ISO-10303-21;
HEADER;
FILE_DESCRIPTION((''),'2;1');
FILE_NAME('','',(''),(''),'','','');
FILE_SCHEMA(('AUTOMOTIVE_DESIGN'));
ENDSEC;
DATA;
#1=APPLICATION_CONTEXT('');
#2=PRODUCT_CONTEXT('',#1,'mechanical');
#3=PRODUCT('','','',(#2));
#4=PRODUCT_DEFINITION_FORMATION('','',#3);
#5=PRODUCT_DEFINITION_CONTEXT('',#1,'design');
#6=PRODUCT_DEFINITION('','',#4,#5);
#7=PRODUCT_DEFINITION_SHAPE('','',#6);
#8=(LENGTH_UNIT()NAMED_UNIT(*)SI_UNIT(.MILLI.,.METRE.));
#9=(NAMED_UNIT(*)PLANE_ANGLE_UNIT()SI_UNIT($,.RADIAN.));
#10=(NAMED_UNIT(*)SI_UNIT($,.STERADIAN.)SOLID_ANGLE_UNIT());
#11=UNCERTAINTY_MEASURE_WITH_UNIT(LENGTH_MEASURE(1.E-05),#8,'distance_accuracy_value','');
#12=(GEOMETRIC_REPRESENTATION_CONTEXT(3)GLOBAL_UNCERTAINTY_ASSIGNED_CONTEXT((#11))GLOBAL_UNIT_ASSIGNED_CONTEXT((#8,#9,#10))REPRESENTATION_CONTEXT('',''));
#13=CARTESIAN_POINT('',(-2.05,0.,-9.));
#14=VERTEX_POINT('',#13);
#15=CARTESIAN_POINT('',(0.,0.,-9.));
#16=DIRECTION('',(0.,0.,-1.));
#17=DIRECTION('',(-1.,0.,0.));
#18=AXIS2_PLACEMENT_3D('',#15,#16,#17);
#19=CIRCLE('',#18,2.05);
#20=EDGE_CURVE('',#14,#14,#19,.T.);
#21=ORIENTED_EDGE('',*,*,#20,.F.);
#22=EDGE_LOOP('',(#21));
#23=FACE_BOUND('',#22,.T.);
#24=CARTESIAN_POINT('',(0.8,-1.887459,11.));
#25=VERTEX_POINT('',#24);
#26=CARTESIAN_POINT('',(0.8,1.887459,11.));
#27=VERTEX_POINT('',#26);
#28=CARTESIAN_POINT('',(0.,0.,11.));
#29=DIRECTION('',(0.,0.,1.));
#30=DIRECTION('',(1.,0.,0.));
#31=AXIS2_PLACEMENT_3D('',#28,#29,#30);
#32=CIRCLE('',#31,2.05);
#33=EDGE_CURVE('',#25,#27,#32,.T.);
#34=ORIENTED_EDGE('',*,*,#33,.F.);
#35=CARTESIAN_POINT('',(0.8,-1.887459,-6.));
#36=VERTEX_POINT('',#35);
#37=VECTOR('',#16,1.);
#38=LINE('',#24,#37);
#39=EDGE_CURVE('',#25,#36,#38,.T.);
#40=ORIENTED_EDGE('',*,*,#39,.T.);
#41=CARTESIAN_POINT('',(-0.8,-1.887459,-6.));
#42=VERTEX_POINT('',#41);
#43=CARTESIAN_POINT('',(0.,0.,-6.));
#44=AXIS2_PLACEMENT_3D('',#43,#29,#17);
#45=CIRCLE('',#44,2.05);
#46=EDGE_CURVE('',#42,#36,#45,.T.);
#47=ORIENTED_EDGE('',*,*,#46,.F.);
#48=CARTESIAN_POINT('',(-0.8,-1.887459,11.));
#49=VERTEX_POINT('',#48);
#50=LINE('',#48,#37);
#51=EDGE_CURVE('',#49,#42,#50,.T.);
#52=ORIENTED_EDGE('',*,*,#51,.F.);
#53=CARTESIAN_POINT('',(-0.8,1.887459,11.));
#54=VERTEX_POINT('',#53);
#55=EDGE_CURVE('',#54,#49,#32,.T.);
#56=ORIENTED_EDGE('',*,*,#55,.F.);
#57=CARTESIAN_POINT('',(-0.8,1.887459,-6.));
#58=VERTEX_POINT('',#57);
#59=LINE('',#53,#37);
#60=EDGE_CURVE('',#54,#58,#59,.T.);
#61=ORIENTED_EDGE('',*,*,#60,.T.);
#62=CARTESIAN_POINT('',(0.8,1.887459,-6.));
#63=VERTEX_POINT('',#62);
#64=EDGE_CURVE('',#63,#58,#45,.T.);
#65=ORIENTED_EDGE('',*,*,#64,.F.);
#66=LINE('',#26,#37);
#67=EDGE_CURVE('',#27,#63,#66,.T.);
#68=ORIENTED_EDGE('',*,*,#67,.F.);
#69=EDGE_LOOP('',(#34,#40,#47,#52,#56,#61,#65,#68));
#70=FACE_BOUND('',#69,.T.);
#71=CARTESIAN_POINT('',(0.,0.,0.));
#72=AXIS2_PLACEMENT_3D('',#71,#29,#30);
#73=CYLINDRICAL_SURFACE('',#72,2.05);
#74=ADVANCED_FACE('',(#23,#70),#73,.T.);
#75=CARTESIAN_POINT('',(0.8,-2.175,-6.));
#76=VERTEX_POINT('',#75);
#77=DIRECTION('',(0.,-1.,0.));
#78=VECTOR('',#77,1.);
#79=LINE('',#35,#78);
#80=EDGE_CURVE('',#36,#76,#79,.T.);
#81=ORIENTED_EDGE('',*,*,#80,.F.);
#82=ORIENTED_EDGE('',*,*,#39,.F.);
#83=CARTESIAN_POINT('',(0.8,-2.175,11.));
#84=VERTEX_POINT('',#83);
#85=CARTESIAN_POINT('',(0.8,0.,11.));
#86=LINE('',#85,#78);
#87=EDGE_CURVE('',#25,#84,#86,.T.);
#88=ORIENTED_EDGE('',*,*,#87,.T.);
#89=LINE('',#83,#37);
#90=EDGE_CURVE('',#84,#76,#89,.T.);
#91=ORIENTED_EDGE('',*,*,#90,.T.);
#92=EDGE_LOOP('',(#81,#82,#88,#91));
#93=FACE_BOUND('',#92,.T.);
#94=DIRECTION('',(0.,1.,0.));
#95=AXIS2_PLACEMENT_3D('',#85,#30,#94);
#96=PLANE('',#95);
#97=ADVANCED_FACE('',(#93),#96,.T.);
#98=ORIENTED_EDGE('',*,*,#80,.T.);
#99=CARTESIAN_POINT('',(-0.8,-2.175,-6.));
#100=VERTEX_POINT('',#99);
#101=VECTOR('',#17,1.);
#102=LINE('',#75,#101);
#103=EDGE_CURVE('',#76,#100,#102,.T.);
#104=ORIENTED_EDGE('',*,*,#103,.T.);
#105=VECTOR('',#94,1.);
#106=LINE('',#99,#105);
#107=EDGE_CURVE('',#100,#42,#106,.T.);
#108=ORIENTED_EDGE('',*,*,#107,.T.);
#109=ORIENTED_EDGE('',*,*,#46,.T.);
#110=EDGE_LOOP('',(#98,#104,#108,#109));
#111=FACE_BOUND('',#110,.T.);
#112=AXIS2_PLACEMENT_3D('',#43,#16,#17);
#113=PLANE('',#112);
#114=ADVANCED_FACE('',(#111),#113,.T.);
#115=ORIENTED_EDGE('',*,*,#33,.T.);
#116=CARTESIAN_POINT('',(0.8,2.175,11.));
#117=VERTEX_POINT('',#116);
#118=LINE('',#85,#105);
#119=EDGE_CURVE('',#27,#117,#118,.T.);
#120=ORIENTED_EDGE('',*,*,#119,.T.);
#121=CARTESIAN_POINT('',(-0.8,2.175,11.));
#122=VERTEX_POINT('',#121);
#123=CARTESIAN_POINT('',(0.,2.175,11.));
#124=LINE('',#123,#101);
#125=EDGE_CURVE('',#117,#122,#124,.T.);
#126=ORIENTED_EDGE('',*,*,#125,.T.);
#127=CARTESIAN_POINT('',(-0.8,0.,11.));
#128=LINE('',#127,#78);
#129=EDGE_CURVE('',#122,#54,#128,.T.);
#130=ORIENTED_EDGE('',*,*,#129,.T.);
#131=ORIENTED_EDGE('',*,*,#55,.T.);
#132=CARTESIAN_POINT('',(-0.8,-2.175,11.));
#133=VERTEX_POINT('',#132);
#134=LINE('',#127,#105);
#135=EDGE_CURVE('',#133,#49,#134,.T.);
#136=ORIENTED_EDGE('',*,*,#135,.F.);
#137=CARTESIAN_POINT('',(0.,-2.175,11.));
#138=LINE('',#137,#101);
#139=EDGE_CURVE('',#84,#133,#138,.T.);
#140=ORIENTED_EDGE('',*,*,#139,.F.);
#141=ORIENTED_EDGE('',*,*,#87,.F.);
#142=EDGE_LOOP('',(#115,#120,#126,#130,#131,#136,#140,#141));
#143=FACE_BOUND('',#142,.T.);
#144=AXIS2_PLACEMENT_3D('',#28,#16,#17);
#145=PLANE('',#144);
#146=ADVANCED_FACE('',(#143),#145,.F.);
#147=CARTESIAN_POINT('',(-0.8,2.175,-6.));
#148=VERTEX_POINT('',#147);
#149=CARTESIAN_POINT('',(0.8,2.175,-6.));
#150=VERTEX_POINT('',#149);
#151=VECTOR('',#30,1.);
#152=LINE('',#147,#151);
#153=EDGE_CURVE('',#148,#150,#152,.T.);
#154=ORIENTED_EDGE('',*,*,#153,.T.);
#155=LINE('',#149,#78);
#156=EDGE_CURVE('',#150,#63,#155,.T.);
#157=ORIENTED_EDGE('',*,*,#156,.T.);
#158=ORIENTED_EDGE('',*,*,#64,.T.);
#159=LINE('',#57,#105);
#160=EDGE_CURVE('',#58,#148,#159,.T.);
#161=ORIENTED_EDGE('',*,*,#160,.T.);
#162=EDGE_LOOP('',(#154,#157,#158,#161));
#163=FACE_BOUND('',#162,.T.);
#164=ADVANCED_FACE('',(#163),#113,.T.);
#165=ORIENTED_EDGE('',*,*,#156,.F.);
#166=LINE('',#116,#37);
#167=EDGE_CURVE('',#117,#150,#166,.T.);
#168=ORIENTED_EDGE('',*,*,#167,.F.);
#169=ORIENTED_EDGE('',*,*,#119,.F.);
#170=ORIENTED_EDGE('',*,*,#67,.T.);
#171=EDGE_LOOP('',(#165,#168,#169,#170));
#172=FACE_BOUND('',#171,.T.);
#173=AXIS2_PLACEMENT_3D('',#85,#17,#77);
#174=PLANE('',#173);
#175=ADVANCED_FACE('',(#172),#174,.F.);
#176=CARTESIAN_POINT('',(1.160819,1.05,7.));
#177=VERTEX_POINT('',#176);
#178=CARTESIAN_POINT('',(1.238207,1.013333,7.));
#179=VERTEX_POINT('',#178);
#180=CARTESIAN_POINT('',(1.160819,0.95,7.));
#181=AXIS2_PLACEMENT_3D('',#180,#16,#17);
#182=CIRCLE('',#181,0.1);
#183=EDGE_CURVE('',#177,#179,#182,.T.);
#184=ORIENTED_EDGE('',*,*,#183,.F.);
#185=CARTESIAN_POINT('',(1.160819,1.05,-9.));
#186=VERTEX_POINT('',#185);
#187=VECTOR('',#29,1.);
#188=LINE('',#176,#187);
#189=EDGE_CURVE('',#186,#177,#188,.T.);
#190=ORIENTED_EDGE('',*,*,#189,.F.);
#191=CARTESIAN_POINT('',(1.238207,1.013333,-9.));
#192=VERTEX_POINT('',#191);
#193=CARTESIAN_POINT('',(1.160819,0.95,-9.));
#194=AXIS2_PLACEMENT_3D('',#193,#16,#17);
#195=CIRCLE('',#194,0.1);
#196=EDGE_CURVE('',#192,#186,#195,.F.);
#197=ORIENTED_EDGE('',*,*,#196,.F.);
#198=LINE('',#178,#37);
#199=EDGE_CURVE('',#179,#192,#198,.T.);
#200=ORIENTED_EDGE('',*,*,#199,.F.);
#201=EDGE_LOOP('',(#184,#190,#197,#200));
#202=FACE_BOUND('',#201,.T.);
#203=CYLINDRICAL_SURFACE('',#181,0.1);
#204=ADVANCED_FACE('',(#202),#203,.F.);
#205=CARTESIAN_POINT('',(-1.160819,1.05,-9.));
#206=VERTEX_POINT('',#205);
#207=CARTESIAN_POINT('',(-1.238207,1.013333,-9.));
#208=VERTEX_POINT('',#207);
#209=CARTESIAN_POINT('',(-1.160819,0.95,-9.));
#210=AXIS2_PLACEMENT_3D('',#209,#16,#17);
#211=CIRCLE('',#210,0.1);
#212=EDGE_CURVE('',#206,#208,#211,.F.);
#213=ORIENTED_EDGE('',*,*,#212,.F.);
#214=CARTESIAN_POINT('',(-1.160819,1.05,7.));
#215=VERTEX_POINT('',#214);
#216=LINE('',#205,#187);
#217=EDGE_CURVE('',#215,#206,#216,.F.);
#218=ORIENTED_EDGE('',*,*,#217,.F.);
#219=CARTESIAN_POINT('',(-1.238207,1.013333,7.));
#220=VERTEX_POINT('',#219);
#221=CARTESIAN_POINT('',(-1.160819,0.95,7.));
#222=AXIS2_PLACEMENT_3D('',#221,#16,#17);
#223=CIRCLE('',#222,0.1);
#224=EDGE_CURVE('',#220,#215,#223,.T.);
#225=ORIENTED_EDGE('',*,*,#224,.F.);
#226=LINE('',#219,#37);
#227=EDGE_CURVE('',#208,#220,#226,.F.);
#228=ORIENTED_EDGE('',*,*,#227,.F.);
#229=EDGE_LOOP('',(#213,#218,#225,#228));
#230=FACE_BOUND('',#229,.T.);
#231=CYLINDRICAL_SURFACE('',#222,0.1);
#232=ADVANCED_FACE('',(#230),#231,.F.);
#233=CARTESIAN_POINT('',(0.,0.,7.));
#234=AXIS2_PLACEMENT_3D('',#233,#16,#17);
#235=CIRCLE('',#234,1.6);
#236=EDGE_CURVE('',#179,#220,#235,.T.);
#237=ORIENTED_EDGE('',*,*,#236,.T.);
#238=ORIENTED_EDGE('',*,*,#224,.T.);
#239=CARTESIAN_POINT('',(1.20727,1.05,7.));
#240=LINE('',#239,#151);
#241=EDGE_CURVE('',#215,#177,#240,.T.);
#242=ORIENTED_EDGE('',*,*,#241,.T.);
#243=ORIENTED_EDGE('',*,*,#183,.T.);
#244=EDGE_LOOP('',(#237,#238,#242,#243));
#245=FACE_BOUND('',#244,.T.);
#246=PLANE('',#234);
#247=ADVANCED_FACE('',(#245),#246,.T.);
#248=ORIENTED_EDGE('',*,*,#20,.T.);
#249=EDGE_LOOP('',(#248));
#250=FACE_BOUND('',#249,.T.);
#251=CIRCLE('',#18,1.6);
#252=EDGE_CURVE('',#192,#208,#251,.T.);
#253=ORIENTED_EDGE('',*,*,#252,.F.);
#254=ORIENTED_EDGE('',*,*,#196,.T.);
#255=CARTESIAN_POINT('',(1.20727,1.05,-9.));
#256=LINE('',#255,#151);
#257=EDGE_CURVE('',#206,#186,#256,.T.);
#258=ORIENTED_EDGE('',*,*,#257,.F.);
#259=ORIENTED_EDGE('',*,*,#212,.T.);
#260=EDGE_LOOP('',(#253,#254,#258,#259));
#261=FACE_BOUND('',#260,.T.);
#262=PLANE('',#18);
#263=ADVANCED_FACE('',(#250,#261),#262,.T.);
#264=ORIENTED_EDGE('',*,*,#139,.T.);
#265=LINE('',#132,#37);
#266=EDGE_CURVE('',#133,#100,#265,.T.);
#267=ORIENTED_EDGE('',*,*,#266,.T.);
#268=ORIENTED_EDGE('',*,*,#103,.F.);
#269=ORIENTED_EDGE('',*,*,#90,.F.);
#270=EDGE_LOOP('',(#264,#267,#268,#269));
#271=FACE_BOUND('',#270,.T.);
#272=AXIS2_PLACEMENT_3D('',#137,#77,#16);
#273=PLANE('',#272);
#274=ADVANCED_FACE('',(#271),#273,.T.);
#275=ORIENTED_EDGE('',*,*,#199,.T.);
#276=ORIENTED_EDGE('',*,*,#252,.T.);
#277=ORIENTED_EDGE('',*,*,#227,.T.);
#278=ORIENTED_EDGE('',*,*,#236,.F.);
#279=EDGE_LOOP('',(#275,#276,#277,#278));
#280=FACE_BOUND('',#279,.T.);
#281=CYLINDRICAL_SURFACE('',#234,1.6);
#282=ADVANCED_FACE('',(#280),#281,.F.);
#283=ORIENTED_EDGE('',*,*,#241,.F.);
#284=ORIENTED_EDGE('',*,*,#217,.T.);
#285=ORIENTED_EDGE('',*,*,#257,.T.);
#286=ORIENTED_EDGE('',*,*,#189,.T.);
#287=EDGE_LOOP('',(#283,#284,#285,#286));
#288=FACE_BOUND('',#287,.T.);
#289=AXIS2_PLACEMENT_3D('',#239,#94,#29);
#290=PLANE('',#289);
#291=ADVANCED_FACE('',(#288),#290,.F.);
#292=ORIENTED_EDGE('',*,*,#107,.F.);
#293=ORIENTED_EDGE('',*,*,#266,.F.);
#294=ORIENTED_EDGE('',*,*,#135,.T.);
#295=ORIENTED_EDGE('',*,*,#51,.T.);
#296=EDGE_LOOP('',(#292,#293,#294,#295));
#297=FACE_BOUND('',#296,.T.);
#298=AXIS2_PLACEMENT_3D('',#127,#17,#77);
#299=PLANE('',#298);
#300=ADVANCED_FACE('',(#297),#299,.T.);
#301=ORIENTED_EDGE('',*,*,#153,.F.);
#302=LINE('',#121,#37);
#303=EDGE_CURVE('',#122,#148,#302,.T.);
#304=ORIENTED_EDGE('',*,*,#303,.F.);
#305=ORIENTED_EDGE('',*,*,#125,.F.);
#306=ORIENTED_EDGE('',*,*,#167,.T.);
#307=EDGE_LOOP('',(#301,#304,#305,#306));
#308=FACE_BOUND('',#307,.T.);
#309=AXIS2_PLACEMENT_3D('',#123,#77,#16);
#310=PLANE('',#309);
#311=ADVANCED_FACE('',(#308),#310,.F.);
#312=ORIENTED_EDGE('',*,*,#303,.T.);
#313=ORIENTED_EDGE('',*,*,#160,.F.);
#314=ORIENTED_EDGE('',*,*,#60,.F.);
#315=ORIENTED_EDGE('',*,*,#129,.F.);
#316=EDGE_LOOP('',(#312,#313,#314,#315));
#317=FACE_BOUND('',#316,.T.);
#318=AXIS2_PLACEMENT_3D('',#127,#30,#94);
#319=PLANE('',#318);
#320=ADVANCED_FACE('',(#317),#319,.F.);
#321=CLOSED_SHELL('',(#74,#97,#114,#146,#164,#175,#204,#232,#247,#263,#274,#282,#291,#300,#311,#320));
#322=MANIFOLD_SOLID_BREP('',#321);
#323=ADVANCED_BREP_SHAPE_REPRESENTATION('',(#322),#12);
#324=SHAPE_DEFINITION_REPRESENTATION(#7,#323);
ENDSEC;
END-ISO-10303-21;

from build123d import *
from build123d.topology import SkipClean

# Parameters (mm, degrees)
SKETCH1_R                = 2
BOSS_EXTRUDE1_DEPTH      = 7
SKETCH3_R                = 2
SKETCH3_W                = 4.25
SKETCH3_H                = 1.5
BOSS_EXTRUDE3_DEPTH      = 4
BOSS_EXTRUDE4_START      = 4
BOSS_EXTRUDE4_DEPTH      = 4
BOSS_EXTRUDE5_START      = -8
BOSS_EXTRUDE5_DEPTH      = 8
CUT_EXTRUDE1_START       = -8
CUT_EXTRUDE1_DEPTH       = 8
CUT_EXTRUDE2_DEPTH       = 7
BOSS_EXTRUDE6_DEPTH      = 8
BOSS_EXTRUDE6_DEPTH_BACK = 3
SKETCH2_R                = 2.05
SKETCH2_R_2              = 2
BOSS_EXTRUDE7_START      = -8
BOSS_EXTRUDE7_DEPTH      = 8
BOSS_EXTRUDE8_DEPTH      = 9
BOSS_EXTRUDE8_DEPTH_BACK = 7
SKETCH11_R               = 2.05
BOSS_EXTRUDE9_DEPTH      = 9
FILLET1_R                = 0.1


with BuildPart() as part:
    # Sketch1 → Boss-Extrude1 (new body)
    with BuildSketch(Plane.XY):
        Circle(SKETCH1_R)
        with BuildLine():
            ThreePointArc((-1.5, 0), (-1.401258538, 0.535233135), (-1.118033989, 1))
            Line((-1.118033989, 1), (1.118033989, 1))
            ThreePointArc((1.118033989, 1), (1.401258538, 0.535233135), (1.5, 0))
            ThreePointArc((1.5, 0), (0, -1.5), (-1.5, 0))
        make_face(mode=Mode.SUBTRACT)
    extrude(amount=BOSS_EXTRUDE1_DEPTH)

    # Sketch3 → Boss-Extrude3 (add)
    with BuildSketch(Plane.XY.offset(7)):
        with Locations(Location((0, 0, 0), (0, 0, 157.975687163))):
            Circle(SKETCH3_R)
        Rectangle(SKETCH3_W, SKETCH3_H)
    extrude(amount=BOSS_EXTRUDE3_DEPTH)

    # Sketch4 → Boss-Extrude4 (add)
    with BuildSketch(Plane(origin=(0, 0, 7), x_dir=(-1, 0, 0), z_dir=(0, 0, -1)).offset(BOSS_EXTRUDE4_START)):
        with BuildLine():
            Line((-2.125, -0.75), (-1.854049622, -0.75))
            ThreePointArc((-1.854049622, -0.75), (-2, 0), (-1.854049622, 0.75))
            Line((-1.854049622, 0.75), (-2.125, 0.75))
            Line((-2.125, 0.75), (-2.125, -0.75))
        make_face()
        with BuildLine():
            Line((2.125, 0.75), (1.854049622, 0.75))
            ThreePointArc((1.854049622, 0.75), (2, 0), (1.854049622, -0.75))
            Line((1.854049622, -0.75), (2.125, -0.75))
            Line((2.125, -0.75), (2.125, 0.75))
        make_face()
    extrude(amount=-BOSS_EXTRUDE4_DEPTH)

    # Sketch6 → Boss-Extrude5 (add)
    with BuildSketch(Plane.XY.offset(11).offset(BOSS_EXTRUDE5_START)):
        with BuildLine():
            Line((-0.75, -1.854049622), (-0.75, -2.125))
            Line((-0.75, -2.125), (0.75, -2.125))
            Line((0.75, -2.125), (0.75, -1.854049622))
            ThreePointArc((0.75, -1.854049622), (0, -2), (-0.75, -1.854049622))
        make_face()
        with BuildLine():
            Line((0.75, 1.854049622), (0.75, 2.125))
            Line((0.75, 2.125), (-0.75, 2.125))
            Line((-0.75, 2.125), (-0.75, 1.854049622))
            ThreePointArc((-0.75, 1.854049622), (0, 2), (0.75, 1.854049622))
        make_face()
    extrude(amount=BOSS_EXTRUDE5_DEPTH)

    # Sketch7 → Cut-Extrude1 (cut)
    with SkipClean():  # the faces are left unmerged after this step: merging them gives an invalid solid
        with BuildSketch(Plane.XY.offset(11).offset(CUT_EXTRUDE1_START)):
            with BuildLine():
                Line((-2.125, -0.75), (-1.854049622, -0.75))
                ThreePointArc((-1.854049622, -0.75), (-2, 0), (-1.854049622, 0.75))
                Line((-1.854049622, 0.75), (-2.125, 0.75))
                Line((-2.125, 0.75), (-2.125, -0.75))
            make_face()
            with BuildLine():
                Line((1.854049622, -0.75), (2.125, -0.75))
                Line((2.125, -0.75), (2.125, 0.75))
                Line((2.125, 0.75), (1.854049622, 0.75))
                ThreePointArc((1.854049622, 0.75), (2, 0), (1.854049622, -0.75))
            make_face()
        extrude(amount=CUT_EXTRUDE1_DEPTH, mode=Mode.SUBTRACT)

    # Sketch8 → Cut-Extrude2 (cut)
    with SkipClean():  # the faces are left unmerged after this step: merging them gives an invalid solid
        with BuildSketch(Plane(origin=(0, 0, 0), x_dir=(-1, 0, 0), z_dir=(0, 0, -1))):
            with BuildLine():
                Line((-1.183215957, 1.15), (1.183215957, 1.15))
                ThreePointArc((1.183215957, 1.15), (0, -1.65), (-1.183215957, 1.15))
            make_face()
            with BuildLine():
                Line((-1.118033989, 1), (1.118033989, 1))
                ThreePointArc((1.118033989, 1), (0, -1.5), (-1.118033989, 1))
            make_face(mode=Mode.SUBTRACT)
        extrude(amount=-CUT_EXTRUDE2_DEPTH, mode=Mode.SUBTRACT)

    # Sketch2 → Boss-Extrude6 (add, two sides: drawn at the far end of the back side and taken through both)
    with BuildSketch(Plane.XY.offset(3).offset(-BOSS_EXTRUDE6_DEPTH_BACK)):
        Circle(SKETCH2_R)
        Circle(SKETCH2_R_2, mode=Mode.SUBTRACT)
    extrude(amount=BOSS_EXTRUDE6_DEPTH + BOSS_EXTRUDE6_DEPTH_BACK)

    # Sketch10 → Boss-Extrude7 (add)
    with BuildSketch(Plane(origin=(0, 0, 3), x_dir=(-1, 0, 0), z_dir=(0, 0, -1)).offset(BOSS_EXTRUDE7_START)):
        with BuildLine():
            Line((0.75, -1.907878403), (0.75, -2.125))
            Line((0.75, -2.125), (-0.75, -2.125))
            Line((-0.75, -2.125), (-0.75, -1.907878403))
            ThreePointArc((-0.75, -1.907878403), (-0.77506725, -1.897833174), (-0.8, -1.887458609))
            Line((-0.8, -1.887458609), (-0.8, -2.175))
            Line((-0.8, -2.175), (0.8, -2.175))
            Line((0.8, -2.175), (0.8, -1.887458609))
            ThreePointArc((0.8, -1.887458609), (0.77506725, -1.897833174), (0.75, -1.907878403))
        make_face()
        with BuildLine():
            Line((-0.8, 2.175), (-0.8, 1.887458609))
            ThreePointArc((-0.8, 1.887458609), (-0.77506725, 1.897833174), (-0.75, 1.907878403))
            Line((-0.75, 1.907878403), (-0.75, 2.125))
            Line((-0.75, 2.125), (0.75, 2.125))
            Line((0.75, 2.125), (0.75, 1.907878403))
            ThreePointArc((0.75, 1.907878403), (0.77506725, 1.897833174), (0.8, 1.887458609))
            Line((0.8, 1.887458609), (0.8, 2.175))
            Line((0.8, 2.175), (-0.8, 2.175))
        make_face()
    extrude(amount=BOSS_EXTRUDE7_DEPTH)

    # Sketch11 → Boss-Extrude8 (add, two sides: drawn at the far end of the back side and taken through both)
    with BuildSketch(Plane(origin=(0, 0, 0), x_dir=(-1, 0, 0), z_dir=(0, 0, -1)).offset(-BOSS_EXTRUDE8_DEPTH_BACK)):
        with Locations(Location((0, 0, 0), (0, 0, 112.969676572))):
            Circle(SKETCH11_R)
        with BuildLine():
            Line((-1.207269647, 1.05), (1.207269647, 1.05))
            ThreePointArc((1.207269647, 1.05), (0, -1.6), (-1.207269647, 1.05))
        make_face(mode=Mode.SUBTRACT)
    extrude(amount=BOSS_EXTRUDE8_DEPTH + BOSS_EXTRUDE8_DEPTH_BACK)

    # Sketch12 → Boss-Extrude9 (add)
    with BuildSketch(Plane(origin=(0, 0, 3), x_dir=(-1, 0, 0), z_dir=(0, 0, -1))):
        with BuildLine():
            Line((-0.8, 2.175), (-0.8, 1.887458609))
            ThreePointArc((-0.8, 1.887458609), (0, 2.05), (0.8, 1.887458609))
            Line((0.8, 1.887458609), (0.8, 2.175))
            Line((0.8, 2.175), (-0.8, 2.175))
        make_face()
        with BuildLine():
            Line((0.8, -2.175), (0.8, -1.887458609))
            ThreePointArc((0.8, -1.887458609), (0, -2.05), (-0.8, -1.887458609))
            Line((-0.8, -1.887458609), (-0.8, -2.175))
            Line((-0.8, -2.175), (0.8, -2.175))
        make_face()
    extrude(amount=BOSS_EXTRUDE9_DEPTH)

    # Fillet1
    fillet1_edges = [part.edges().sort_by_distance(p)[0] for p in [
        (1.207269647, 1.05, -4.5),
        (-1.207269647, 1.05, -4.5),
    ]]
    fillet(fillet1_edges, radius=FILLET1_R)


solid = part.part
